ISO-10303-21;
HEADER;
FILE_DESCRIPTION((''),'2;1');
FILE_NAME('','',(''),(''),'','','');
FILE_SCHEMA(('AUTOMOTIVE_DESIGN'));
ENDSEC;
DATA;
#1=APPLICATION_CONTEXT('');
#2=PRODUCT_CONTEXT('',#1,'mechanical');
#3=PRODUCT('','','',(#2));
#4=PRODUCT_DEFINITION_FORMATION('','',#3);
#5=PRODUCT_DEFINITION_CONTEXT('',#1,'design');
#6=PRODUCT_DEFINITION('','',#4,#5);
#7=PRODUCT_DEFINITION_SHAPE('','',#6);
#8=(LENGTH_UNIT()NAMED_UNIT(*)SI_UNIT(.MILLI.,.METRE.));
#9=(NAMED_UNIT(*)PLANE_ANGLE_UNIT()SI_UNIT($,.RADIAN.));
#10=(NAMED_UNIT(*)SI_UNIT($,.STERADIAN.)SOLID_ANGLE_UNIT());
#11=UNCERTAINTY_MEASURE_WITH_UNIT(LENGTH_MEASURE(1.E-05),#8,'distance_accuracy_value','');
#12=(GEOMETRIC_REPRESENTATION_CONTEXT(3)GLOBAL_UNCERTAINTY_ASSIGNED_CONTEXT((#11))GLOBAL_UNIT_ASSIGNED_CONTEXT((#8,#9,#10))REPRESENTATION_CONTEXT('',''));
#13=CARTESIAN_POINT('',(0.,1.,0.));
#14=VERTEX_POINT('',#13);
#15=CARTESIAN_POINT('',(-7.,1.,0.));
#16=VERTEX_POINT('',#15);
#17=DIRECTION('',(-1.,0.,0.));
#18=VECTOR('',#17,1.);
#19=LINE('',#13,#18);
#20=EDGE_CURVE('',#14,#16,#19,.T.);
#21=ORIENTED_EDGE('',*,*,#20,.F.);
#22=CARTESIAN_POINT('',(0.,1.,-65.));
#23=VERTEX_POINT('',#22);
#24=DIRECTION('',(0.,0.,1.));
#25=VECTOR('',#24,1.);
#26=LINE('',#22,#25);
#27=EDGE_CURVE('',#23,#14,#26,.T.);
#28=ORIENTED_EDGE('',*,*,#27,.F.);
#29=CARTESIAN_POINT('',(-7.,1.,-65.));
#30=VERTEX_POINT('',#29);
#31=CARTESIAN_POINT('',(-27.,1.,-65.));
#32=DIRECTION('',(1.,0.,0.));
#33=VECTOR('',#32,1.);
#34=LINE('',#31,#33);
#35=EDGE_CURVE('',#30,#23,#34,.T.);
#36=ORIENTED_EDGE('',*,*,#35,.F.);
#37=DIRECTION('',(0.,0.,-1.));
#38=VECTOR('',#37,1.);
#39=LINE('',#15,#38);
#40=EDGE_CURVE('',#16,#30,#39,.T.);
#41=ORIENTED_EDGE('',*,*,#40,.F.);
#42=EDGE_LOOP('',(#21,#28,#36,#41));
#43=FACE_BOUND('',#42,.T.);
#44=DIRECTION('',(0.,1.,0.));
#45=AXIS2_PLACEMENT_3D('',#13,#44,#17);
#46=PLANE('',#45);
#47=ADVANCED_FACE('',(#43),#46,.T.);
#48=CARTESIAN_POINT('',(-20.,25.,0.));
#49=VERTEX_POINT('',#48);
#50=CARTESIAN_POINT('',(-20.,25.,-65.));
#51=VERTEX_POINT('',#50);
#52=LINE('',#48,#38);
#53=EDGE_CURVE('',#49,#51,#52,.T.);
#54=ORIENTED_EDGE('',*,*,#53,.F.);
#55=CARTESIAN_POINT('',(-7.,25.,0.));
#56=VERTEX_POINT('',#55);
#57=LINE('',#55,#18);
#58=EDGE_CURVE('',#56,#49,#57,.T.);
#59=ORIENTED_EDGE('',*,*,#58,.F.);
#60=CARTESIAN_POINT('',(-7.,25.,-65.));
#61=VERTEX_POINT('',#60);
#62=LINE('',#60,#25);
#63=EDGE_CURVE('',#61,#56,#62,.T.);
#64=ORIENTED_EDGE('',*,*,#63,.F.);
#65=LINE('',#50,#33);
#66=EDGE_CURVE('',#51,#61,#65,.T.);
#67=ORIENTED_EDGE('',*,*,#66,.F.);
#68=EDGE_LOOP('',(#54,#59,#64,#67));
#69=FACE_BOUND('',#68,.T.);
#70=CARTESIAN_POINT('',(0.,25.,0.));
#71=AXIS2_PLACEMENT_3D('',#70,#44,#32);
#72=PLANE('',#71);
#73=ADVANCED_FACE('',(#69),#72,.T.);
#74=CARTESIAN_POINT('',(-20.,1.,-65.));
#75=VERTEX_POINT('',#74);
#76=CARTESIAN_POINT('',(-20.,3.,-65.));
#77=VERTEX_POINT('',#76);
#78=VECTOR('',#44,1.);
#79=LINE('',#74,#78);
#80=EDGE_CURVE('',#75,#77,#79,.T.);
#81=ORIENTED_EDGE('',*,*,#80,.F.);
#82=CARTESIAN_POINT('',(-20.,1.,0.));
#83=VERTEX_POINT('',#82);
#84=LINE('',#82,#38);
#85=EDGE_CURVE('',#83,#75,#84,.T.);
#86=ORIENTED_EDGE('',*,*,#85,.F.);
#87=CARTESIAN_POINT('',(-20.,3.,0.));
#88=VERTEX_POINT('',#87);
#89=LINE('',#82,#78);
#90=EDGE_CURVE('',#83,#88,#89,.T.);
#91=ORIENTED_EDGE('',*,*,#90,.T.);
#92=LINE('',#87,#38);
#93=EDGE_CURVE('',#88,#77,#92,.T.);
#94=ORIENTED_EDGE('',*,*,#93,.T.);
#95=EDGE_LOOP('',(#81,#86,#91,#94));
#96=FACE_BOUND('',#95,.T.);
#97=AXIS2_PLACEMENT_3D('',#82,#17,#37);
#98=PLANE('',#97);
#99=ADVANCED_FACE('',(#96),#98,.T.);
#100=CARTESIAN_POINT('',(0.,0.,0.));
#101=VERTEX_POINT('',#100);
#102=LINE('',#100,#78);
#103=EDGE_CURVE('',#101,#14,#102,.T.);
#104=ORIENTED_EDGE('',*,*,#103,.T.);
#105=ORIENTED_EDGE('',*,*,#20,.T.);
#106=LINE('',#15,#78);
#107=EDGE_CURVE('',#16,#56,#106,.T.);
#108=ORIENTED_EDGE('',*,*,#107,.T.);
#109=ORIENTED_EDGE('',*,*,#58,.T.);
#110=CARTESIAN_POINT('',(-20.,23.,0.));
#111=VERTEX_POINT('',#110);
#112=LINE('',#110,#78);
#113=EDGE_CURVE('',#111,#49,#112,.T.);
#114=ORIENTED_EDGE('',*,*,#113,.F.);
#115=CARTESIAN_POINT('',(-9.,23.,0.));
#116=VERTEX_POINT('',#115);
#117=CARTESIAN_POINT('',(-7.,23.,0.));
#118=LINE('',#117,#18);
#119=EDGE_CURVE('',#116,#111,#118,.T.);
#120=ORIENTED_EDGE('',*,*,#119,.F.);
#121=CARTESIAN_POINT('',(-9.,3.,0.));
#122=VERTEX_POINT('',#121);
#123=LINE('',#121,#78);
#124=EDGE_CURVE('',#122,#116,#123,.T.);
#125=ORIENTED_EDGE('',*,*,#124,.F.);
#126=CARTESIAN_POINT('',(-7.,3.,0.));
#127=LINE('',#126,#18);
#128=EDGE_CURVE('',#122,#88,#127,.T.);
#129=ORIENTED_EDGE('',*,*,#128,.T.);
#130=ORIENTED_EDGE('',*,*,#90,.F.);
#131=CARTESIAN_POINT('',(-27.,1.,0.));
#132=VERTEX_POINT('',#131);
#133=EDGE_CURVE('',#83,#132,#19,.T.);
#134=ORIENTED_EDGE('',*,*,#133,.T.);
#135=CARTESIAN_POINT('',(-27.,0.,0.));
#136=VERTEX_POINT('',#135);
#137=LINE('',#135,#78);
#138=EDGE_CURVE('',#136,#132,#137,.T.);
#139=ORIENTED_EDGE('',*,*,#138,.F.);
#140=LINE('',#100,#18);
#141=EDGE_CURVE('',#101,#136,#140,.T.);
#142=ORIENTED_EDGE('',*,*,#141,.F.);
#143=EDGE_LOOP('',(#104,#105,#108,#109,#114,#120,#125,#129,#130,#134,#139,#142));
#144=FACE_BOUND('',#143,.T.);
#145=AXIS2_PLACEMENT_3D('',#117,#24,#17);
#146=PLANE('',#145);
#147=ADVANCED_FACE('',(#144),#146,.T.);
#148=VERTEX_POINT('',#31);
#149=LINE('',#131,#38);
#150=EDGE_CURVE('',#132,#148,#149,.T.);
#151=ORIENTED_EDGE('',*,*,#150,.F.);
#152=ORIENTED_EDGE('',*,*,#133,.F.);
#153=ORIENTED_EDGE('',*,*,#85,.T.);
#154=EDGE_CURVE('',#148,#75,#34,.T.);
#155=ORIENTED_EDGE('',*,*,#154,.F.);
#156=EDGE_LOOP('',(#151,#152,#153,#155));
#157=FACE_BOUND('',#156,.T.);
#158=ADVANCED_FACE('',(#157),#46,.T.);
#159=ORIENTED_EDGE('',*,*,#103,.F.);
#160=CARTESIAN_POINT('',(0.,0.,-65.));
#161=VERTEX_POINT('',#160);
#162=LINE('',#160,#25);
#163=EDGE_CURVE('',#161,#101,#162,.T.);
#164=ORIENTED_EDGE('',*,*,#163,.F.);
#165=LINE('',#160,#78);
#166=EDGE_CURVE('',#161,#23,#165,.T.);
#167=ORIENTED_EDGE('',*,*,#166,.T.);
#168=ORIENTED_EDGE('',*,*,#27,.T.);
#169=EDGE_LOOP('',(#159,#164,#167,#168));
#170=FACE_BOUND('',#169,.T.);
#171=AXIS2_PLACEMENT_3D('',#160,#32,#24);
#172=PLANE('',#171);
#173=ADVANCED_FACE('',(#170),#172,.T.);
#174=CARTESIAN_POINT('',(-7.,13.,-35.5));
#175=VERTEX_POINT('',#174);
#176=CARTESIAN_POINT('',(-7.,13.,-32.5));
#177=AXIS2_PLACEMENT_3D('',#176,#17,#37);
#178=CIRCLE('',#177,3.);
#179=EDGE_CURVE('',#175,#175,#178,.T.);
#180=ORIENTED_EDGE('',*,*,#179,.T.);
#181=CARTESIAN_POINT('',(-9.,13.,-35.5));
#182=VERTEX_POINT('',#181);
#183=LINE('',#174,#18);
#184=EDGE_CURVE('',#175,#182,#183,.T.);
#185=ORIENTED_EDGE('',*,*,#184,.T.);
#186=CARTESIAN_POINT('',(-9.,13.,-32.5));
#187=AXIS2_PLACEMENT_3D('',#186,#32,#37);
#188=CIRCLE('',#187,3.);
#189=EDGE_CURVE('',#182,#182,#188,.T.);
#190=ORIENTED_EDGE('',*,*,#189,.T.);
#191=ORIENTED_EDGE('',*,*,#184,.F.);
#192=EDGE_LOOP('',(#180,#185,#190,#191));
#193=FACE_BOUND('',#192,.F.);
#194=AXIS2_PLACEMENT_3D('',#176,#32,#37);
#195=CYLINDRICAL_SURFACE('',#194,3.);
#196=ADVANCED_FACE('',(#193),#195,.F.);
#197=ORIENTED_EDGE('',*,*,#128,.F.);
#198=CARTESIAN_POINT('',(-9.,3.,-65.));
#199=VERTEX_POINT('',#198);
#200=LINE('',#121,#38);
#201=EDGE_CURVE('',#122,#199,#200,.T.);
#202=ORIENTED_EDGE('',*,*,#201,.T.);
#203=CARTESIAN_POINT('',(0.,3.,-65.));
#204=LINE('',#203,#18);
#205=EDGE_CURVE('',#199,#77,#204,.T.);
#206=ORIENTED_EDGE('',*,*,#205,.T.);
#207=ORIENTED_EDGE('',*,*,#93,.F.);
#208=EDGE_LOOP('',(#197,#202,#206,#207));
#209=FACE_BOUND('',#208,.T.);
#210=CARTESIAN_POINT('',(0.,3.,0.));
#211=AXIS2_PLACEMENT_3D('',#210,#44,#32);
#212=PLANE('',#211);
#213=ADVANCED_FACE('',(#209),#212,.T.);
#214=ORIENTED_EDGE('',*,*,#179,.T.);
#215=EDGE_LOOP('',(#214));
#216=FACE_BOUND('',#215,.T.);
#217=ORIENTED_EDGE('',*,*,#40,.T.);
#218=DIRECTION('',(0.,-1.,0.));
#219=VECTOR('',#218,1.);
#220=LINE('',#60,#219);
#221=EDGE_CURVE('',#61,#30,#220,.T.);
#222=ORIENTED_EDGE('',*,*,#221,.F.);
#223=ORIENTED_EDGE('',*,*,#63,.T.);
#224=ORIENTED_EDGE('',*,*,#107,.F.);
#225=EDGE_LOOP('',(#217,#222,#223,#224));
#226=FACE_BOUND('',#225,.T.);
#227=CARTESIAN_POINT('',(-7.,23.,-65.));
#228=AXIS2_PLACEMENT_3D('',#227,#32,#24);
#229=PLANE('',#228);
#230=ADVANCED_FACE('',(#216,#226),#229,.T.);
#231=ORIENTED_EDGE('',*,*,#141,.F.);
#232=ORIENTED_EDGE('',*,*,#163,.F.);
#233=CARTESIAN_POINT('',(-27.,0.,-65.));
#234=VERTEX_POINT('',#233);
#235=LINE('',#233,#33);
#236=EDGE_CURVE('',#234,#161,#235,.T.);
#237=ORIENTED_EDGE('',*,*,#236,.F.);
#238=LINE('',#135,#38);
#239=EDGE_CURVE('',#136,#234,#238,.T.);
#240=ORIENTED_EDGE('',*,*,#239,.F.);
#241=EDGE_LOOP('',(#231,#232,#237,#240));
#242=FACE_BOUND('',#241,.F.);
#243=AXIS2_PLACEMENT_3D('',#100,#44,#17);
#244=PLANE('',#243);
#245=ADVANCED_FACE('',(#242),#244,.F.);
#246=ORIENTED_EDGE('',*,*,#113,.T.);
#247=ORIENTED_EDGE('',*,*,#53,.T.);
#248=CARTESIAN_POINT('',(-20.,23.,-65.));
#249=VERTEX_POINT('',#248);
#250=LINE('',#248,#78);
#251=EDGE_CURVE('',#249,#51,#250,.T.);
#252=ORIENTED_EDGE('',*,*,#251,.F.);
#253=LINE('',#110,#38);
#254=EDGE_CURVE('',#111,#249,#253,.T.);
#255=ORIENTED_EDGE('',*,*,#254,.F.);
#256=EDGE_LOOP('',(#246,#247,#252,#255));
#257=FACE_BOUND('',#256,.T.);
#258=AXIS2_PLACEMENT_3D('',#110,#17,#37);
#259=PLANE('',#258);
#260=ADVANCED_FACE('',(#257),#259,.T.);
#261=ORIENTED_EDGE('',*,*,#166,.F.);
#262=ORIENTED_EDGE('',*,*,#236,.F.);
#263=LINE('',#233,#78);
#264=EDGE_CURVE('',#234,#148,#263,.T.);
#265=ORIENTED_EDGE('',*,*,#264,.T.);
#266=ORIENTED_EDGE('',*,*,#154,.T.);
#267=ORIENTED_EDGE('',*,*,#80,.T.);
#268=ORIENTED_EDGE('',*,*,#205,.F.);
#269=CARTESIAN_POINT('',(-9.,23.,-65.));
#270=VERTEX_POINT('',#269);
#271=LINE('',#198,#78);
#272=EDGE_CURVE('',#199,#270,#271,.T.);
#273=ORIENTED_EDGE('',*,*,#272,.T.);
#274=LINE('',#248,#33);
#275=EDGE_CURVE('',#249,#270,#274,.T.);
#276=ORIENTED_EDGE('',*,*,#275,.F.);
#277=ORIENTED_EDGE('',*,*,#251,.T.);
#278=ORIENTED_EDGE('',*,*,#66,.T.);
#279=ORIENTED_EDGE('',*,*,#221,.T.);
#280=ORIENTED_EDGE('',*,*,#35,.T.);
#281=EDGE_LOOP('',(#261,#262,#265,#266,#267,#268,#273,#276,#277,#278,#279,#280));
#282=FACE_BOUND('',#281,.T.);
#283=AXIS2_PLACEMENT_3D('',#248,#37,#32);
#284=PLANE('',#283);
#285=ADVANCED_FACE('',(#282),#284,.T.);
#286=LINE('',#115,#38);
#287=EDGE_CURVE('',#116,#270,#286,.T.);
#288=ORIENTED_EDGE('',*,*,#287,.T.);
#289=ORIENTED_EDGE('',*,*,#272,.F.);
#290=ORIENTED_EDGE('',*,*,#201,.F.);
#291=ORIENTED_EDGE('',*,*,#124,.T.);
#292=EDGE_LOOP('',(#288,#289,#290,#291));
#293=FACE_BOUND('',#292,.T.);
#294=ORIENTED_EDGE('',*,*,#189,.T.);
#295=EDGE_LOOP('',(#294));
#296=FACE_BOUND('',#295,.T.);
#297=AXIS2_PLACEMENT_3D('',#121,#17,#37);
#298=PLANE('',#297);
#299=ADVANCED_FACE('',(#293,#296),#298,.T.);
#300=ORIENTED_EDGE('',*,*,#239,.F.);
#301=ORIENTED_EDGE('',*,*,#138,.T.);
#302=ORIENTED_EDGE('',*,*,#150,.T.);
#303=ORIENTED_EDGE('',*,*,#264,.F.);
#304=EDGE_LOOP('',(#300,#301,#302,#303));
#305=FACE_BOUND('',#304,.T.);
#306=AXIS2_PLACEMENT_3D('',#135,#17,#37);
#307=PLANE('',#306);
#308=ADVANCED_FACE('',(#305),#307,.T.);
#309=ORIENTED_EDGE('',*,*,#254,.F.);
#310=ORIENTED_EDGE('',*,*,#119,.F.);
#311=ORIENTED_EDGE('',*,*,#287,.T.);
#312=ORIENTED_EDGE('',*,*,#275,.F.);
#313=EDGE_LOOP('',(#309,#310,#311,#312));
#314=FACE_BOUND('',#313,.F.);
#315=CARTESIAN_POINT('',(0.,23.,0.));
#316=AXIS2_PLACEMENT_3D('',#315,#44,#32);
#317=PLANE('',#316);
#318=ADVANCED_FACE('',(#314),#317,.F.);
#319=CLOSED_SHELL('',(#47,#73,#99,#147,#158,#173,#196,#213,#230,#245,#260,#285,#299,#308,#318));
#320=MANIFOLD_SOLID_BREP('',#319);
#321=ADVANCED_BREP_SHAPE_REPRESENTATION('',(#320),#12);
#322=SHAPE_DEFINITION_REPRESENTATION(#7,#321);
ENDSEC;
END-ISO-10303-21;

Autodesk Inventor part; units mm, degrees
ref_plane "YZ Plane" through (0, 0, 0) normal (1, 0, 0) x (0, 1, 0)
ref_plane "XZ Plane" through (0, 0, 0) normal (0, 1, 0) x (-1, 0, 0)
ref_plane "XY Plane" through (0, 0, 0) normal (0, 0, 1) x (1, 0, 0)
sketch "Sketch1" plane through (0, 0, 0) normal (0, 1, 0) x (-1, 0, 0)
  line L0 (0, 0) -> (27, 0)
  line L1 (27, 0) -> (27, -65)
  line L2 (27, -65) -> (0, -65)
  line L3 (0, -65) -> (0, 0)
  dimension "d0" = 27
  dimension "d1" = 65
extrude "Extrusion1" add sketch "Sketch1" along normal blind 1
sketch "Sketch2" plane through (0, 1, 0) normal (0, 1, 0) x (1, 0, 0)
  line L0 (-27, 0) -> (0, 0) projected
  line L1 (0, 65) -> (-27, 65) projected
  line L2 (-13.5, 0) -> (-20, 0)
  line L3 (-20, 0) -> (-7, 0)
  line L4 (-7, 0) -> (-7, 65)
  line L5 (-20, 0) -> (-20, 65)
  line L6 (-7, 65) -> (-20, 65)
  dimension "d4" = 6.5
  dimension "d5" = 13
extrude "Extrusion2" add sketch "Sketch2" along normal blind 2
sketch "Sketch3" plane through (0, 3, 0) normal (0, 1, 0) x (1, 0, 0)
  line L0 (-7, 0) -> (-7, 65) projected
  line L1 (-7, 65) -> (-20, 65) projected
  line L2 (-7, 0) -> (-9, 0)
  line L3 (-9, 0) -> (-9, 65)
  line L4 (-9, 65) -> (-7, 65)
  line L5 (-7, 65) -> (-7, 0)
  point P0 (0, 0)
  dimension "d8" = 2
extrude "Extrusion3" add sketch "Sketch3" along normal blind 20
sketch "Sketch4" plane through (0, 23, 0) normal (0, 1, 0) x (1, 0, 0)
  line L0 (-20, 0) -> (-20, 65) projected
  line L1 (-7, 0) -> (-20, 0)
  line L2 (-20, 0) -> (-20, 65)
  line L3 (-20, 65) -> (-7, 65)
  line L4 (-7, 65) -> (-7, 0)
  point P0 (0, 0)
extrude "Extrusion4" add sketch "Sketch4" along normal blind 2
sketch "Sketch5" plane through (-7, 1, 0) normal (1, 0, 0) x (0, 0, -1)
  line L0 (65, 0) -> (65, 24) projected
  line L1 (0, 0) -> (0, 24) projected
  line L2 (0, 12) -> (65, 12)
  circle A0 centre (32.5, 12) radius 3
  point P0 (0, -1)
  dimension "d13" = 6
extrude "Extrusion5" cut sketch "Sketch5" against normal blind 2
properties part number "EE Track"
